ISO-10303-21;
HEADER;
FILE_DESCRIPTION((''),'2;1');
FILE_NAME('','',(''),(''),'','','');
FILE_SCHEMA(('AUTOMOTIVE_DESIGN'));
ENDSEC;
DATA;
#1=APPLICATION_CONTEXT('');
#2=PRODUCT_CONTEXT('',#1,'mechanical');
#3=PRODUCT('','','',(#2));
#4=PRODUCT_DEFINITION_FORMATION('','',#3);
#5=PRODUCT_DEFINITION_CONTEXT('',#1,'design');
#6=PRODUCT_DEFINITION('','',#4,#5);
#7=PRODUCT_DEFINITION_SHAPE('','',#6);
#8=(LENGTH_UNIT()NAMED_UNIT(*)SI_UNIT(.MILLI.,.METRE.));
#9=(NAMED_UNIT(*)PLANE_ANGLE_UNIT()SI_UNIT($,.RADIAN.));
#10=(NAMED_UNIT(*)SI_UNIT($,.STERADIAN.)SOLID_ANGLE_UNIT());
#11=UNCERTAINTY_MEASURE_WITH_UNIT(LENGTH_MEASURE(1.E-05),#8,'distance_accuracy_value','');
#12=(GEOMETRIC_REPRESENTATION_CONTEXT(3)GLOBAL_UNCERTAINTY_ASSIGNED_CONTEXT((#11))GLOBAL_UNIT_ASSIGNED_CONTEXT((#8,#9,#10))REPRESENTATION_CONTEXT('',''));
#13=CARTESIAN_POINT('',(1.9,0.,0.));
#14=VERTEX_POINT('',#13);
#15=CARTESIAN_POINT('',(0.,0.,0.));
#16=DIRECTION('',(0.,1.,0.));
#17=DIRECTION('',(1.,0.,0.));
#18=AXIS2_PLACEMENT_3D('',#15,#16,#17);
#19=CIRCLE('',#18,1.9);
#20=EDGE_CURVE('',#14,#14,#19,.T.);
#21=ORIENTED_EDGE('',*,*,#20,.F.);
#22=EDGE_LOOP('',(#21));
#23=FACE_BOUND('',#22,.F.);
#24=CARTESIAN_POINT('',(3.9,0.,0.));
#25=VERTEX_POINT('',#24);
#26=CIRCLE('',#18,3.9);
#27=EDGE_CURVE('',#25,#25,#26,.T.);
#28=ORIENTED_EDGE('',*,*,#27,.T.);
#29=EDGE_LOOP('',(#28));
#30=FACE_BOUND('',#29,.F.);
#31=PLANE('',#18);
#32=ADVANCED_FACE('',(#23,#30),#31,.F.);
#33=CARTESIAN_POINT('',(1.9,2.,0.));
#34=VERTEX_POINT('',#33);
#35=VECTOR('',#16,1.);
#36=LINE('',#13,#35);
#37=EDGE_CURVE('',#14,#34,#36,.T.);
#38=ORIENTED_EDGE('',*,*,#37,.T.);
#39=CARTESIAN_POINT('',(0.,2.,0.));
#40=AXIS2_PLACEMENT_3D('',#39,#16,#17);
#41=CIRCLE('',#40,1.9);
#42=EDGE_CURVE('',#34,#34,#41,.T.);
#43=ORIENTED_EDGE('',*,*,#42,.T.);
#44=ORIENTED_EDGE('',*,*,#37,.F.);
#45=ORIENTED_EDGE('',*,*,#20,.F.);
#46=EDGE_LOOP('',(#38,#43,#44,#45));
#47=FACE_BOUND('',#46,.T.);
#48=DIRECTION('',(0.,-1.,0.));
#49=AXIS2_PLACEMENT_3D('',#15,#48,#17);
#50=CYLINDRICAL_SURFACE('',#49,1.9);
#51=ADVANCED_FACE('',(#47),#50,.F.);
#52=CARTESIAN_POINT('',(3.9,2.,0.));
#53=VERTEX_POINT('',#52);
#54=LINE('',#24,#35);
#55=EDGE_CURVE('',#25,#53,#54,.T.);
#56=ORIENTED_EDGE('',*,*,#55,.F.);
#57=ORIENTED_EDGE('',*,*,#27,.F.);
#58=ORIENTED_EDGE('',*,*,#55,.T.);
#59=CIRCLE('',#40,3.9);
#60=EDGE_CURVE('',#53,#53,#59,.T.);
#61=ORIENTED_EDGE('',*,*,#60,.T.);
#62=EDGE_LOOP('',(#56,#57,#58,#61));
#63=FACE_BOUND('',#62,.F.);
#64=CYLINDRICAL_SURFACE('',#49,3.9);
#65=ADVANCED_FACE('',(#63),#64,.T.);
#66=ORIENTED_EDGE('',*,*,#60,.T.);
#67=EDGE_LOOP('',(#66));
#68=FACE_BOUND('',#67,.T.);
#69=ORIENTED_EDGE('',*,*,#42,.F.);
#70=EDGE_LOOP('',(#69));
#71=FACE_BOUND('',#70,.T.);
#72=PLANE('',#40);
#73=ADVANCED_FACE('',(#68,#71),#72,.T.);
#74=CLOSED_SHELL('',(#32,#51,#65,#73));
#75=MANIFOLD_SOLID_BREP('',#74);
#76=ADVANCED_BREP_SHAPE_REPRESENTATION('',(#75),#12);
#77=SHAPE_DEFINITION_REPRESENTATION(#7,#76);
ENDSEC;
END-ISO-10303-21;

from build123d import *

# Parameters (mm, degrees)
SKETCH_1_R      = 3.9
SKETCH_1_R_2    = 1.9
EXTRUDE_1_DEPTH = 2


with BuildPart() as part:
    # 草图1 → 拉伸-薄壁1 (new body)
    with BuildSketch(Plane(origin=(0, 0, 0), x_dir=(1, 0, 0), z_dir=(0, 1, 0))):
        Circle(SKETCH_1_R)
        Circle(SKETCH_1_R_2, mode=Mode.SUBTRACT)
    extrude(amount=EXTRUDE_1_DEPTH)


solid = part.part
